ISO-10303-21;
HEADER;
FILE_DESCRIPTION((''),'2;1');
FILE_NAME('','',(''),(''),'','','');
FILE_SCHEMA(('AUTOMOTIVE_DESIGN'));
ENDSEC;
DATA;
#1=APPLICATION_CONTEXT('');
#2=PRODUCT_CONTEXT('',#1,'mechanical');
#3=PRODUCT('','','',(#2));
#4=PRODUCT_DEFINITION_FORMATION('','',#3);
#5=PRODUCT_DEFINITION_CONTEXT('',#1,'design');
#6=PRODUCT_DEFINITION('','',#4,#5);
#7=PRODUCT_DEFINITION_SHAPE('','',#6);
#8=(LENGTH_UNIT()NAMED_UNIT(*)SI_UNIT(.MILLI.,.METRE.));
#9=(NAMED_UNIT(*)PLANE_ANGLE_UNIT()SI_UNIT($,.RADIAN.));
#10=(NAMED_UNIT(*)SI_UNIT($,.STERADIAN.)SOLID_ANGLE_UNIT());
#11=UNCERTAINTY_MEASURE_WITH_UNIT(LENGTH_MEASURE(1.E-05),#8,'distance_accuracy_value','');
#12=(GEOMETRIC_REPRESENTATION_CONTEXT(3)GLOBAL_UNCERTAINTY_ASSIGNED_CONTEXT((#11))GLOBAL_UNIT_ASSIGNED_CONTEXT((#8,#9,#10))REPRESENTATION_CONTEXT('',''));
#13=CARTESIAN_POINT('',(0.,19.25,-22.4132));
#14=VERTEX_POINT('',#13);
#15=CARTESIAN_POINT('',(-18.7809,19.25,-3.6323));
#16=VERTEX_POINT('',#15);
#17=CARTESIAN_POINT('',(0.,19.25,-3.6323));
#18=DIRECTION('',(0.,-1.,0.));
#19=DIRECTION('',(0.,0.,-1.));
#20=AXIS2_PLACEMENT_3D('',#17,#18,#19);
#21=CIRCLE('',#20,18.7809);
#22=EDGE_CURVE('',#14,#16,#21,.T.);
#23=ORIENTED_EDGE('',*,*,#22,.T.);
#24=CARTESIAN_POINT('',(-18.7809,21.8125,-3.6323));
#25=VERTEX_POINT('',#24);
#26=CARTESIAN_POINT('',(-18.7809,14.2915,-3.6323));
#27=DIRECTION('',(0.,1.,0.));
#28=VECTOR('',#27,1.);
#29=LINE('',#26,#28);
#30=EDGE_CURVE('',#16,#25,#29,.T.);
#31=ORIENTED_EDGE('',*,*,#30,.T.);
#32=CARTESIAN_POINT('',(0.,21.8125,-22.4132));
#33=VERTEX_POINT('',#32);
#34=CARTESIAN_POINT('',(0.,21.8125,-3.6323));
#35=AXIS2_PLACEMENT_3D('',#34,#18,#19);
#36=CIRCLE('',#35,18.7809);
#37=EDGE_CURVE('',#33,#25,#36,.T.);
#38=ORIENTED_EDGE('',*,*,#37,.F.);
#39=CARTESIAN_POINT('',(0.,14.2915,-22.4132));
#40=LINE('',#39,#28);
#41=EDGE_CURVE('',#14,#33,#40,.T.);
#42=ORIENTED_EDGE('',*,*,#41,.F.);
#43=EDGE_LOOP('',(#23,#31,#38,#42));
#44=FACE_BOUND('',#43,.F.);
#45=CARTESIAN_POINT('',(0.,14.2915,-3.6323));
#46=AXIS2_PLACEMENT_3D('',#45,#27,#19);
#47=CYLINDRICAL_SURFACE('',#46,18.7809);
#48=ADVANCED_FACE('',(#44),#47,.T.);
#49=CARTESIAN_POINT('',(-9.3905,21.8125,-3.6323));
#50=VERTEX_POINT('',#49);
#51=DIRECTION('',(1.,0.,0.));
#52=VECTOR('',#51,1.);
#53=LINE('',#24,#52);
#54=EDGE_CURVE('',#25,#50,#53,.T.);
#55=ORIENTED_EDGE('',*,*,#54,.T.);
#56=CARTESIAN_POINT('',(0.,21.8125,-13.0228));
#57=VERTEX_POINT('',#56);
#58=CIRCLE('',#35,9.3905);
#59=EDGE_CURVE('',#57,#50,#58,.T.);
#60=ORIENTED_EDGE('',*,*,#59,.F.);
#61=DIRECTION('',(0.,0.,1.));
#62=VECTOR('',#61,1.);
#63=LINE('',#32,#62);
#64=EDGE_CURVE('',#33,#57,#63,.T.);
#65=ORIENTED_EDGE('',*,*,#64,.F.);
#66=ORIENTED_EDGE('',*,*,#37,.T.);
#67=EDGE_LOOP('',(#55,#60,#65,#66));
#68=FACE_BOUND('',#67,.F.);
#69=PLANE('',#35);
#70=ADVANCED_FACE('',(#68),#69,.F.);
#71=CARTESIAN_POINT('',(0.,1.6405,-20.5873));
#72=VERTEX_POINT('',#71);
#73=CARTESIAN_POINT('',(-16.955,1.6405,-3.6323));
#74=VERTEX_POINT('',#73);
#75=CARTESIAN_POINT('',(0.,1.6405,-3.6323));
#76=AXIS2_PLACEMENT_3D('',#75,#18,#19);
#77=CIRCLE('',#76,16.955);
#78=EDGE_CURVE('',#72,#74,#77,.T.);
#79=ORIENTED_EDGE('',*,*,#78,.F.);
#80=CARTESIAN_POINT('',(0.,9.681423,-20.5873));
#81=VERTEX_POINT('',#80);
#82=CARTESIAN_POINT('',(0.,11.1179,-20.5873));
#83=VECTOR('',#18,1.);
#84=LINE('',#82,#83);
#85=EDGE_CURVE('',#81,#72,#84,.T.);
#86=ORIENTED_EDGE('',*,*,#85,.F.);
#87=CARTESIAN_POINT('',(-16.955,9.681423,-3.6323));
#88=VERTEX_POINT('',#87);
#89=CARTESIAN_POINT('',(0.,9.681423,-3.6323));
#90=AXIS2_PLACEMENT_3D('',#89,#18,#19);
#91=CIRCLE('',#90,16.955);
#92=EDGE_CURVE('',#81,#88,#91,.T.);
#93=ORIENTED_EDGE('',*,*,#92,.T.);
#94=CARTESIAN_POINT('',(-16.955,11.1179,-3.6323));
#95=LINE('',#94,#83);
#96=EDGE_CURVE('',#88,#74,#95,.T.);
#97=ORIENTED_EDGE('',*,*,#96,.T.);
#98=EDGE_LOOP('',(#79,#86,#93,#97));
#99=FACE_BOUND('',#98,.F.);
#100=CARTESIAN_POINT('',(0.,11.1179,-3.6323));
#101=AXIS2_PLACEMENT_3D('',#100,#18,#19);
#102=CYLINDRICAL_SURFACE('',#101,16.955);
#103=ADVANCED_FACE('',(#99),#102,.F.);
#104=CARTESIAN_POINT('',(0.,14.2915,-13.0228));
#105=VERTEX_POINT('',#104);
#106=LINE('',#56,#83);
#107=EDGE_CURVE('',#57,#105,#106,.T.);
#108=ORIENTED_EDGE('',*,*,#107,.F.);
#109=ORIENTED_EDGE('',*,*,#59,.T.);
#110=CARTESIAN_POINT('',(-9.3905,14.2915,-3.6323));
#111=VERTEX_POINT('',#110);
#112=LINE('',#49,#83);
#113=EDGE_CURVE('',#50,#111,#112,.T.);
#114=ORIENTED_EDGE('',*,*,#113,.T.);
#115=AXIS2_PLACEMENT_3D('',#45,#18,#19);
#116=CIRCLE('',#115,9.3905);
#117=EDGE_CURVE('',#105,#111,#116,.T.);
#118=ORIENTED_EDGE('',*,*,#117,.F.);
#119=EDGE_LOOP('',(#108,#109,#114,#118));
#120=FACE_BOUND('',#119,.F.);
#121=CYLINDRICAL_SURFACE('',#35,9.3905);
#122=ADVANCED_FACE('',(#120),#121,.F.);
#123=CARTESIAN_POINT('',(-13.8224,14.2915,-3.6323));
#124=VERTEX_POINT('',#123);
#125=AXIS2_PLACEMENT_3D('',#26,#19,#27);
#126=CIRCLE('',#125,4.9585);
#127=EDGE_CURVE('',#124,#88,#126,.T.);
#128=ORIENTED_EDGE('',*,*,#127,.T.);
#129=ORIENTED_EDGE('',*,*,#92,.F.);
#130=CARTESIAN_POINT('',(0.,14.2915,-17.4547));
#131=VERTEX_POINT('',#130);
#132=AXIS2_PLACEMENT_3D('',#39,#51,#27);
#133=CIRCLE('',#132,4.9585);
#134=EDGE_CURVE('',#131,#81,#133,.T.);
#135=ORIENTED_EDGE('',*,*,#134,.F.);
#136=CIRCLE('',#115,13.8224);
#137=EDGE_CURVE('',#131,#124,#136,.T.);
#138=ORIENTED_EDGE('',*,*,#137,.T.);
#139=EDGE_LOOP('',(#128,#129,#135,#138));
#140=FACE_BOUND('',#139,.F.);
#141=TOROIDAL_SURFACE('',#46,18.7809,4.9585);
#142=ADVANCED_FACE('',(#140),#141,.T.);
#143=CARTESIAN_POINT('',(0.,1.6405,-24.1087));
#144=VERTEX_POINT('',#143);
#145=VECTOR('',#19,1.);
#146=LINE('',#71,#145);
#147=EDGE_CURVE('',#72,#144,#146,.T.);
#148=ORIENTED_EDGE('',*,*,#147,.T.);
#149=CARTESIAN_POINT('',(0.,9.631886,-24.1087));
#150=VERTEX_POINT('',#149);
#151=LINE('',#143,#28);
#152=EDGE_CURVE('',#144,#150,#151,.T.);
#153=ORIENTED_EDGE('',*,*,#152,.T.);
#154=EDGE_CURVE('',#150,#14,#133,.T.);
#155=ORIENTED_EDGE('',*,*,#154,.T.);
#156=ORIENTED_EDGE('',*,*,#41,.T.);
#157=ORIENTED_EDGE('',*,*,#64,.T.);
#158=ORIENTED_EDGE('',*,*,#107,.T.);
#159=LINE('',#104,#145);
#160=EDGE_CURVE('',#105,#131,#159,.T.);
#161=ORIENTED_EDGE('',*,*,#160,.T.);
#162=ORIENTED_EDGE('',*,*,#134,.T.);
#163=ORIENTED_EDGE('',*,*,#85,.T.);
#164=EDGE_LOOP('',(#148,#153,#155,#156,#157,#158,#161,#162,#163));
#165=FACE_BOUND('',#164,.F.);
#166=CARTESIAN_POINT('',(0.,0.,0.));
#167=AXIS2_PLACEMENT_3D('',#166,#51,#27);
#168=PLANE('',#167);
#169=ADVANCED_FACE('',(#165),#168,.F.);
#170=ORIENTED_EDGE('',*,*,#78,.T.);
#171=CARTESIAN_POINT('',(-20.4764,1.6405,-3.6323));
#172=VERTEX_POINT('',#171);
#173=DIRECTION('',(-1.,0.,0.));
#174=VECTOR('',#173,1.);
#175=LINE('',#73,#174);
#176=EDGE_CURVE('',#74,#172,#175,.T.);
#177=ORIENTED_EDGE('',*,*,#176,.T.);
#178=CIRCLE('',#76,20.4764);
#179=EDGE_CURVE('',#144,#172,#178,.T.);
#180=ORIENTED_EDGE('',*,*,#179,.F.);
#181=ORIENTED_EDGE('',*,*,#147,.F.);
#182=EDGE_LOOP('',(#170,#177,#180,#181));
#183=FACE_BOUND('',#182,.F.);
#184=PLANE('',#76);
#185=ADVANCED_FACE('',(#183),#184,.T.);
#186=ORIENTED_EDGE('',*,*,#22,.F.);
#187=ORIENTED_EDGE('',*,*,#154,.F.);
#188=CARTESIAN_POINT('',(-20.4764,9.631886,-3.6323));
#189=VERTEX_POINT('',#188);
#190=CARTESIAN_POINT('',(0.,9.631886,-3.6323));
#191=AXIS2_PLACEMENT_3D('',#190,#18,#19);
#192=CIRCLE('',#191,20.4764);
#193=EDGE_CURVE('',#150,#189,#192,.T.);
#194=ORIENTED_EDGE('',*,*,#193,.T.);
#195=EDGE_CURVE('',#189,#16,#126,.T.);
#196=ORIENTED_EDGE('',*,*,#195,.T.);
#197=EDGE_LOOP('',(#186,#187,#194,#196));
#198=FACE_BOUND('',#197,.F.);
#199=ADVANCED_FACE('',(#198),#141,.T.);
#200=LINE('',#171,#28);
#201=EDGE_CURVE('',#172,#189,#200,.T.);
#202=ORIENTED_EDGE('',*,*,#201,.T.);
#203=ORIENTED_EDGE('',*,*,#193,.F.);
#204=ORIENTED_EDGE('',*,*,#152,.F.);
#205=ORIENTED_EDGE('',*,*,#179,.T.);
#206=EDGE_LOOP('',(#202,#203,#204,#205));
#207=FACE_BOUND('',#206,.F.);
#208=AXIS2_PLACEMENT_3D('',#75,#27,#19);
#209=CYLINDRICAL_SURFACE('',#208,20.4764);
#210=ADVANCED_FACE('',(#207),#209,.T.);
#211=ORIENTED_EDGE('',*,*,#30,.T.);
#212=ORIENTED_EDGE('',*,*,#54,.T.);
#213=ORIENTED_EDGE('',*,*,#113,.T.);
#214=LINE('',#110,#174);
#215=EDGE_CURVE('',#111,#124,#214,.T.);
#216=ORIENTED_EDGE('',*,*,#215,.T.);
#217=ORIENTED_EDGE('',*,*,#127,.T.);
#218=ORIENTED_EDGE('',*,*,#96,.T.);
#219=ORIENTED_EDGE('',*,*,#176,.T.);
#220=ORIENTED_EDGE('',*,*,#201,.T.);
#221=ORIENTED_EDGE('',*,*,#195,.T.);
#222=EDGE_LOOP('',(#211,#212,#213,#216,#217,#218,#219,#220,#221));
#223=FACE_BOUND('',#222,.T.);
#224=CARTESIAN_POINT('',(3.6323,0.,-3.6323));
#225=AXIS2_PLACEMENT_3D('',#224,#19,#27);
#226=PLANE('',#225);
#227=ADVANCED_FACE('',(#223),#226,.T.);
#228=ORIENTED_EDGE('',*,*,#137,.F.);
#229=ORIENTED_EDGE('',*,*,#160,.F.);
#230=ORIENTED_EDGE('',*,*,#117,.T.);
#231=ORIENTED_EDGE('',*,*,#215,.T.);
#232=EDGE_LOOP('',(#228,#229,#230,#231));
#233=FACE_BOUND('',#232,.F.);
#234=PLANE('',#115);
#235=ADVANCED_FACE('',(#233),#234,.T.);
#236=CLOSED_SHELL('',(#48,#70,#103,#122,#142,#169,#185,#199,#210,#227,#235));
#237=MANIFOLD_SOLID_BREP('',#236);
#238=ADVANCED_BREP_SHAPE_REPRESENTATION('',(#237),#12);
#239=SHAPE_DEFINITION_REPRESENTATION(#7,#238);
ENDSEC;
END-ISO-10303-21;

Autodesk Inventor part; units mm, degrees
ref_plane "YZ Plane" through (0, 0, 0) normal (1, 0, 0) x (0, 1, 0)
ref_plane "XZ Plane" through (0, 0, 0) normal (0, 1, 0) x (-1, 0, 0)
ref_plane "XY Plane" through (0, 0, 0) normal (0, 0, 1) x (1, 0, 0)
sketch "Sketch1" plane through (0, 0, 0) normal (1, 0, 0) x (0, 1, 0)
  line L0 (21.8125, -13.0228) -> (14.2915, -13.0228)
  line L1 (14.2915, -13.0228) -> (14.2915, -22.4132)
  line L2 (14.2915, -22.4132) -> (21.8125, -22.4132)
  line L3 (21.8125, -22.4132) -> (21.8125, -13.0228)
  circle A0 centre (14.2915, -22.4132) radius 4.9585
  line L4 (11.1179, -20.5873) -> (1.6405, -20.5873)
  line L5 (1.6405, -20.5873) -> (1.6405, -24.1087)
  line L6 (1.6405, -24.1087) -> (11.1179, -24.1087)
  line L7 (11.1179, -24.1087) -> (11.1179, -20.5873)
  line L8 (21.8125, -3.6323) -> (0.6841, -3.6323)
  point P0 (0, 0)
  point P1 (14.2915, -17.4546)
  point P2 (9.6814, -20.5873)
  point P3 (9.6319, -24.1087)
  point P4 (19.25, -22.4132)
revolve "Revolution1" add sketch "Sketch1" angle 270 about axis through (0, 21.8125, -3.6323) along (0, -1, 0)
properties part number "odd revolve"
